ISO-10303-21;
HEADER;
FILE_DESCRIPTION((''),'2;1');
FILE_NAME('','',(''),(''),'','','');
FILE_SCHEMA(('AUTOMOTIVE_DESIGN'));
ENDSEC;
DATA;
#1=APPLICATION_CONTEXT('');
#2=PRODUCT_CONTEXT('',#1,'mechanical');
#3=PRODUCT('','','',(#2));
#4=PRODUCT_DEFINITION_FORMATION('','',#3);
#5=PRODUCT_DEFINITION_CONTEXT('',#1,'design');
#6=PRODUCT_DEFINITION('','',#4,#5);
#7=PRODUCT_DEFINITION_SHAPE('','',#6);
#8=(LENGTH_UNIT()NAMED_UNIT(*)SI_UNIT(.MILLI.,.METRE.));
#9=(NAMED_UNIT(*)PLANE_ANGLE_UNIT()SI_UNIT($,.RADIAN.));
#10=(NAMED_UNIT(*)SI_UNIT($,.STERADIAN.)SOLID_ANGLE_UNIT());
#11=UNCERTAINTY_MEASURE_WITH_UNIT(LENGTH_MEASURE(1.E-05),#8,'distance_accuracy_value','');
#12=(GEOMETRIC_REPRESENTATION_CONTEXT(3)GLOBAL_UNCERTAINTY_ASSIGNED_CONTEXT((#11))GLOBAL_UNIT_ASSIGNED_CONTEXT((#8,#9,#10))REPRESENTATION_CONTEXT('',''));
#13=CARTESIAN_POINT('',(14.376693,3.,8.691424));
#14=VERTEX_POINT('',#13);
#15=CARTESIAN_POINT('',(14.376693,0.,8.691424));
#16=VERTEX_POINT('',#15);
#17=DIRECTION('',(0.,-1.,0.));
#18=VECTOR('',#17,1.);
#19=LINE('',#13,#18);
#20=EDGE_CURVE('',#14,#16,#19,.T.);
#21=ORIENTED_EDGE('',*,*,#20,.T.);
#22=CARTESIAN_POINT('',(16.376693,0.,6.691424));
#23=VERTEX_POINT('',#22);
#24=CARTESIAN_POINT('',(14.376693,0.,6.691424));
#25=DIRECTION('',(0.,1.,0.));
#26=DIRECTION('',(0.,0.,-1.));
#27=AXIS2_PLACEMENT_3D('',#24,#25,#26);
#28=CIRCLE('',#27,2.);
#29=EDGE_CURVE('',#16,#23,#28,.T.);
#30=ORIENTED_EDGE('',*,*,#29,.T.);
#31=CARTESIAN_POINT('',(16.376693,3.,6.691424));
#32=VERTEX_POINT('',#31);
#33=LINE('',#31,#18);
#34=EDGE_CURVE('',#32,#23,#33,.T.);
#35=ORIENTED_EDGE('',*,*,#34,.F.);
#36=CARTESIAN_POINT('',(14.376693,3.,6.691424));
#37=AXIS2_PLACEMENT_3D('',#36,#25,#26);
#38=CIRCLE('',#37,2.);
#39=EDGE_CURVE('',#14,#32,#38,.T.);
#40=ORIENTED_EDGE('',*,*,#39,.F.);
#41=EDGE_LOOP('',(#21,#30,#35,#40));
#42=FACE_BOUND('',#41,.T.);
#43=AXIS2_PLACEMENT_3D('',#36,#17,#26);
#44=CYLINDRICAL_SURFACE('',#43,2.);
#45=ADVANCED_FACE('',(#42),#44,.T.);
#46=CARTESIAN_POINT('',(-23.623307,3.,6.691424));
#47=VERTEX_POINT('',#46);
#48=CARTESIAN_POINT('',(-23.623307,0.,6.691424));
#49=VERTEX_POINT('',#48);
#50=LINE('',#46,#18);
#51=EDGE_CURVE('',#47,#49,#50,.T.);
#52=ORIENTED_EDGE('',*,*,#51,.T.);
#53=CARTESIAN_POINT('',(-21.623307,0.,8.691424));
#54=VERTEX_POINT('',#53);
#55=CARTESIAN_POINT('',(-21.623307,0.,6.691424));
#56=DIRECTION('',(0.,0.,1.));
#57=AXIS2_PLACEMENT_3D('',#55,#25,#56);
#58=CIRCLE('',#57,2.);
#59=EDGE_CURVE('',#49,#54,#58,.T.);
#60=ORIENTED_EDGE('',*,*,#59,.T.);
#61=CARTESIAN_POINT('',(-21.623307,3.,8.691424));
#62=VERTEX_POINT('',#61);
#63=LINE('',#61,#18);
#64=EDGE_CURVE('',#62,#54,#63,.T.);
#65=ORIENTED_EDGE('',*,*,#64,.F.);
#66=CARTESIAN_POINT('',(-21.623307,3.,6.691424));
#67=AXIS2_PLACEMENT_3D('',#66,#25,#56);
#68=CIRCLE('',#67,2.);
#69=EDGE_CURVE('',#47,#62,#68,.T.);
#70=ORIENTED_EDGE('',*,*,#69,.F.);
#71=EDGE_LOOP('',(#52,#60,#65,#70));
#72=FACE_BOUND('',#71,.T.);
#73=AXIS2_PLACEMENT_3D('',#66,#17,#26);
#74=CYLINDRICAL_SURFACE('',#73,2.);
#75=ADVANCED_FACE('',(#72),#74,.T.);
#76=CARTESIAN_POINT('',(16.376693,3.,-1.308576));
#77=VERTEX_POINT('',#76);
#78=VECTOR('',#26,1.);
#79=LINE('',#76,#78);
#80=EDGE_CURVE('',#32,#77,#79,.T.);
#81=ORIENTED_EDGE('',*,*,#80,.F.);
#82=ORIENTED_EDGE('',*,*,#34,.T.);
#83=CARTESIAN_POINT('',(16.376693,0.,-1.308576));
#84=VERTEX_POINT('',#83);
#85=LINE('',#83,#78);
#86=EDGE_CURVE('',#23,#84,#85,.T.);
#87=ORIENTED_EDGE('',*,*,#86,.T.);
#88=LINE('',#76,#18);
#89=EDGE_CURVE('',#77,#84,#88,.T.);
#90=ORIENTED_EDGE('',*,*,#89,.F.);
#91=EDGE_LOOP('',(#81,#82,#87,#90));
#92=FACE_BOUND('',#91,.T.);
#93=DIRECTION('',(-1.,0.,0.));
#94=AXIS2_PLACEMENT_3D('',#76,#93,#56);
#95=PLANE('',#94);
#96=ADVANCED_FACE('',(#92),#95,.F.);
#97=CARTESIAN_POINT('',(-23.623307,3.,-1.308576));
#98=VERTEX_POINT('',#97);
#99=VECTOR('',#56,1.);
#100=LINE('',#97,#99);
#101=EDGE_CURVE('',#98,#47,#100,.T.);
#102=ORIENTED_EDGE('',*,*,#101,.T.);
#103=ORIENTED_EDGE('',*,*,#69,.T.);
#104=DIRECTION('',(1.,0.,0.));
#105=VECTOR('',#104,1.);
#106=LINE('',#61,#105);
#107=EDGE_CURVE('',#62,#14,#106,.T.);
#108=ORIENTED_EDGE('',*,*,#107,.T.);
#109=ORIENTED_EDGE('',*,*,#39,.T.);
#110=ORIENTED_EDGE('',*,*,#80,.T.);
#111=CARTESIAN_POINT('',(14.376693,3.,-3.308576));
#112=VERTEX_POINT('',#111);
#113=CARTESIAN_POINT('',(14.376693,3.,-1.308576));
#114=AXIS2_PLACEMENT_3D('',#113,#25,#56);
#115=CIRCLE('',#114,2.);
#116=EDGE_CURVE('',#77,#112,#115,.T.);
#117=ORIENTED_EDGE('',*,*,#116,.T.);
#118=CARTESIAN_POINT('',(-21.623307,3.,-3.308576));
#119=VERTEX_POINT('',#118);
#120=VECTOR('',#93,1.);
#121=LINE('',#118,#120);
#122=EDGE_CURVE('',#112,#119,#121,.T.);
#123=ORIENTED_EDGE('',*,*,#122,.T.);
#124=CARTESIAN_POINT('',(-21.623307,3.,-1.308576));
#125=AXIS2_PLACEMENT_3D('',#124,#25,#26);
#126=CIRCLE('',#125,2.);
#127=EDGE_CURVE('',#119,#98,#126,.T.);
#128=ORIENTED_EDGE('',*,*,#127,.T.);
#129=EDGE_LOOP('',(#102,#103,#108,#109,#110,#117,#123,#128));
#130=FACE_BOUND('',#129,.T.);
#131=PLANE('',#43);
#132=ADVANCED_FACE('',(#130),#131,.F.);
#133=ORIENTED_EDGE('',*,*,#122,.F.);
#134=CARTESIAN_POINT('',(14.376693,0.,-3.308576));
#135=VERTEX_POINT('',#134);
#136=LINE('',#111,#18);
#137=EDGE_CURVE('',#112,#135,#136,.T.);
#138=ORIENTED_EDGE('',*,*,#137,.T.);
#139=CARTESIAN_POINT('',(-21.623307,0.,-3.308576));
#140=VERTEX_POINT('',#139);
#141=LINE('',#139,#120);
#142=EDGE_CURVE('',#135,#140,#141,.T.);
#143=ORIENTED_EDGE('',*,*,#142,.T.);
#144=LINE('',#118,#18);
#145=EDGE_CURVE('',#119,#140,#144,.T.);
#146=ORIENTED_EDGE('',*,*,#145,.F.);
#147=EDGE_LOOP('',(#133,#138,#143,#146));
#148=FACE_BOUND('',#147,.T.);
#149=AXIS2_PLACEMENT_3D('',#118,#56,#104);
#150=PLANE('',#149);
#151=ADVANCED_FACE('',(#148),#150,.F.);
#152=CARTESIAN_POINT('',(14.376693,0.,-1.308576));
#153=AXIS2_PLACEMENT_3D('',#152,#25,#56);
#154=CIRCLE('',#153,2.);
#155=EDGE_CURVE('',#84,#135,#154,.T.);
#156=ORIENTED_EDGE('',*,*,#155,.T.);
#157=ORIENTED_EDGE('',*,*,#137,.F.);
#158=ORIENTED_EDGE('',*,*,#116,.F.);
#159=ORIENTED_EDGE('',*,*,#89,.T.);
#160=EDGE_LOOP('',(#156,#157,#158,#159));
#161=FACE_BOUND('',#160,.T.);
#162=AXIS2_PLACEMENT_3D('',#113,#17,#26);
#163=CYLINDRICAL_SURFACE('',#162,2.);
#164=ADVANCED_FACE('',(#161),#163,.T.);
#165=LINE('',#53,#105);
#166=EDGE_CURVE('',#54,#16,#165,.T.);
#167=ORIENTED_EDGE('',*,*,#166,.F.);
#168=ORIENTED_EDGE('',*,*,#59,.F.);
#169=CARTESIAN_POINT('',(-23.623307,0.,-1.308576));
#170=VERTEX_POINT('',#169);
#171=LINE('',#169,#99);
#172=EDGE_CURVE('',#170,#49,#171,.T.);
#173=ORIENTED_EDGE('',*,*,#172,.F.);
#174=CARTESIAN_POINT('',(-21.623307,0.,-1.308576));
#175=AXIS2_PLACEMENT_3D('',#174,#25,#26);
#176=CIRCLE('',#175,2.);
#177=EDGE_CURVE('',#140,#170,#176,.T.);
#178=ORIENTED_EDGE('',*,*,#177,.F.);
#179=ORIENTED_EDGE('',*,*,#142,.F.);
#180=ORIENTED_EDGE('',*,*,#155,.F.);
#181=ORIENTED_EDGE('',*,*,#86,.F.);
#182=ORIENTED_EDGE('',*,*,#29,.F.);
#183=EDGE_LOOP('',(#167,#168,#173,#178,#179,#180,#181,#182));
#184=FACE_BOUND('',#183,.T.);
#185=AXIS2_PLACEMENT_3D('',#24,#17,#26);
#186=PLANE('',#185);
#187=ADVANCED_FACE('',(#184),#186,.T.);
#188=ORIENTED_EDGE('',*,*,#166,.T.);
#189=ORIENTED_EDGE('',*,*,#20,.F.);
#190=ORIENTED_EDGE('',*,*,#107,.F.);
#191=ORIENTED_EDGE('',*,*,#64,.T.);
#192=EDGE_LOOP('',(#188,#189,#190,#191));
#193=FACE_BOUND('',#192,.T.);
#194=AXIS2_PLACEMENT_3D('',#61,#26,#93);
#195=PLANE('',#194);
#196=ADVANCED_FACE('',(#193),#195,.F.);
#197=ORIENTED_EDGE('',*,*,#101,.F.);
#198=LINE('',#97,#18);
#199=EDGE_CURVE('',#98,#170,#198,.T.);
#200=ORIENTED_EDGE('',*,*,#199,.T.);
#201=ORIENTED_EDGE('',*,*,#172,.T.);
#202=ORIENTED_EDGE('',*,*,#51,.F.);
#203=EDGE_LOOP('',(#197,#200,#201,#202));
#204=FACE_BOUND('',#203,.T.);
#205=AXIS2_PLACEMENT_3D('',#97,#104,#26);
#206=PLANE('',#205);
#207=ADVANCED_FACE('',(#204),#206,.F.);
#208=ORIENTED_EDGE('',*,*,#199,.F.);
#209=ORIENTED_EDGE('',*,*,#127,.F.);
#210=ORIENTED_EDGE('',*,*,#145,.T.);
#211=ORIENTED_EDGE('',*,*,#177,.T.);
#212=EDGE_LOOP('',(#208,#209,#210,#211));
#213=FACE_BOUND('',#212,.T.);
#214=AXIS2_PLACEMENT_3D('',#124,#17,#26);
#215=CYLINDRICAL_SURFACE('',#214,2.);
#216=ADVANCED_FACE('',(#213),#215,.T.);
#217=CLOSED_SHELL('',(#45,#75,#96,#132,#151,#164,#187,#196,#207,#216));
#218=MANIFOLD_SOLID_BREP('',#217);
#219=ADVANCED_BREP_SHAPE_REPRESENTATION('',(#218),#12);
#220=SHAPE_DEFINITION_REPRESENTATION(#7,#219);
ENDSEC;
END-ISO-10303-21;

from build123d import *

# Parameters (mm, degrees)
RESSALTO_EXTRUS_O1_DEPTH = 3


with BuildPart() as part:
    # Esboço1 → Ressalto-extrusão1 (new body)
    with BuildSketch(Plane(origin=(0, 0, 0), x_dir=(1, 0, 0), z_dir=(0, 1, 0))):
        with BuildLine():
            Line((-21.623307055, 3.308576429), (14.376692945, 3.308576429))
            ThreePointArc((14.376692945, 3.308576429), (15.790906508, 2.722789992), (16.376692945, 1.308576429))
            Line((16.376692945, 1.308576429), (16.376692945, -6.691423571))
            ThreePointArc((16.376692945, -6.691423571), (15.790906508, -8.105637133), (14.376692945, -8.691423571))
            Line((14.376692945, -8.691423571), (-21.623307055, -8.691423571))
            ThreePointArc((-21.623307055, -8.691423571), (-23.037520617, -8.105637133), (-23.623307055, -6.691423571))
            Line((-23.623307055, -6.691423571), (-23.623307055, 1.308576429))
            ThreePointArc((-23.623307055, 1.308576429), (-23.037520617, 2.722789992), (-21.623307055, 3.308576429))
        make_face()
    extrude(amount=RESSALTO_EXTRUS_O1_DEPTH)


solid = part.part
